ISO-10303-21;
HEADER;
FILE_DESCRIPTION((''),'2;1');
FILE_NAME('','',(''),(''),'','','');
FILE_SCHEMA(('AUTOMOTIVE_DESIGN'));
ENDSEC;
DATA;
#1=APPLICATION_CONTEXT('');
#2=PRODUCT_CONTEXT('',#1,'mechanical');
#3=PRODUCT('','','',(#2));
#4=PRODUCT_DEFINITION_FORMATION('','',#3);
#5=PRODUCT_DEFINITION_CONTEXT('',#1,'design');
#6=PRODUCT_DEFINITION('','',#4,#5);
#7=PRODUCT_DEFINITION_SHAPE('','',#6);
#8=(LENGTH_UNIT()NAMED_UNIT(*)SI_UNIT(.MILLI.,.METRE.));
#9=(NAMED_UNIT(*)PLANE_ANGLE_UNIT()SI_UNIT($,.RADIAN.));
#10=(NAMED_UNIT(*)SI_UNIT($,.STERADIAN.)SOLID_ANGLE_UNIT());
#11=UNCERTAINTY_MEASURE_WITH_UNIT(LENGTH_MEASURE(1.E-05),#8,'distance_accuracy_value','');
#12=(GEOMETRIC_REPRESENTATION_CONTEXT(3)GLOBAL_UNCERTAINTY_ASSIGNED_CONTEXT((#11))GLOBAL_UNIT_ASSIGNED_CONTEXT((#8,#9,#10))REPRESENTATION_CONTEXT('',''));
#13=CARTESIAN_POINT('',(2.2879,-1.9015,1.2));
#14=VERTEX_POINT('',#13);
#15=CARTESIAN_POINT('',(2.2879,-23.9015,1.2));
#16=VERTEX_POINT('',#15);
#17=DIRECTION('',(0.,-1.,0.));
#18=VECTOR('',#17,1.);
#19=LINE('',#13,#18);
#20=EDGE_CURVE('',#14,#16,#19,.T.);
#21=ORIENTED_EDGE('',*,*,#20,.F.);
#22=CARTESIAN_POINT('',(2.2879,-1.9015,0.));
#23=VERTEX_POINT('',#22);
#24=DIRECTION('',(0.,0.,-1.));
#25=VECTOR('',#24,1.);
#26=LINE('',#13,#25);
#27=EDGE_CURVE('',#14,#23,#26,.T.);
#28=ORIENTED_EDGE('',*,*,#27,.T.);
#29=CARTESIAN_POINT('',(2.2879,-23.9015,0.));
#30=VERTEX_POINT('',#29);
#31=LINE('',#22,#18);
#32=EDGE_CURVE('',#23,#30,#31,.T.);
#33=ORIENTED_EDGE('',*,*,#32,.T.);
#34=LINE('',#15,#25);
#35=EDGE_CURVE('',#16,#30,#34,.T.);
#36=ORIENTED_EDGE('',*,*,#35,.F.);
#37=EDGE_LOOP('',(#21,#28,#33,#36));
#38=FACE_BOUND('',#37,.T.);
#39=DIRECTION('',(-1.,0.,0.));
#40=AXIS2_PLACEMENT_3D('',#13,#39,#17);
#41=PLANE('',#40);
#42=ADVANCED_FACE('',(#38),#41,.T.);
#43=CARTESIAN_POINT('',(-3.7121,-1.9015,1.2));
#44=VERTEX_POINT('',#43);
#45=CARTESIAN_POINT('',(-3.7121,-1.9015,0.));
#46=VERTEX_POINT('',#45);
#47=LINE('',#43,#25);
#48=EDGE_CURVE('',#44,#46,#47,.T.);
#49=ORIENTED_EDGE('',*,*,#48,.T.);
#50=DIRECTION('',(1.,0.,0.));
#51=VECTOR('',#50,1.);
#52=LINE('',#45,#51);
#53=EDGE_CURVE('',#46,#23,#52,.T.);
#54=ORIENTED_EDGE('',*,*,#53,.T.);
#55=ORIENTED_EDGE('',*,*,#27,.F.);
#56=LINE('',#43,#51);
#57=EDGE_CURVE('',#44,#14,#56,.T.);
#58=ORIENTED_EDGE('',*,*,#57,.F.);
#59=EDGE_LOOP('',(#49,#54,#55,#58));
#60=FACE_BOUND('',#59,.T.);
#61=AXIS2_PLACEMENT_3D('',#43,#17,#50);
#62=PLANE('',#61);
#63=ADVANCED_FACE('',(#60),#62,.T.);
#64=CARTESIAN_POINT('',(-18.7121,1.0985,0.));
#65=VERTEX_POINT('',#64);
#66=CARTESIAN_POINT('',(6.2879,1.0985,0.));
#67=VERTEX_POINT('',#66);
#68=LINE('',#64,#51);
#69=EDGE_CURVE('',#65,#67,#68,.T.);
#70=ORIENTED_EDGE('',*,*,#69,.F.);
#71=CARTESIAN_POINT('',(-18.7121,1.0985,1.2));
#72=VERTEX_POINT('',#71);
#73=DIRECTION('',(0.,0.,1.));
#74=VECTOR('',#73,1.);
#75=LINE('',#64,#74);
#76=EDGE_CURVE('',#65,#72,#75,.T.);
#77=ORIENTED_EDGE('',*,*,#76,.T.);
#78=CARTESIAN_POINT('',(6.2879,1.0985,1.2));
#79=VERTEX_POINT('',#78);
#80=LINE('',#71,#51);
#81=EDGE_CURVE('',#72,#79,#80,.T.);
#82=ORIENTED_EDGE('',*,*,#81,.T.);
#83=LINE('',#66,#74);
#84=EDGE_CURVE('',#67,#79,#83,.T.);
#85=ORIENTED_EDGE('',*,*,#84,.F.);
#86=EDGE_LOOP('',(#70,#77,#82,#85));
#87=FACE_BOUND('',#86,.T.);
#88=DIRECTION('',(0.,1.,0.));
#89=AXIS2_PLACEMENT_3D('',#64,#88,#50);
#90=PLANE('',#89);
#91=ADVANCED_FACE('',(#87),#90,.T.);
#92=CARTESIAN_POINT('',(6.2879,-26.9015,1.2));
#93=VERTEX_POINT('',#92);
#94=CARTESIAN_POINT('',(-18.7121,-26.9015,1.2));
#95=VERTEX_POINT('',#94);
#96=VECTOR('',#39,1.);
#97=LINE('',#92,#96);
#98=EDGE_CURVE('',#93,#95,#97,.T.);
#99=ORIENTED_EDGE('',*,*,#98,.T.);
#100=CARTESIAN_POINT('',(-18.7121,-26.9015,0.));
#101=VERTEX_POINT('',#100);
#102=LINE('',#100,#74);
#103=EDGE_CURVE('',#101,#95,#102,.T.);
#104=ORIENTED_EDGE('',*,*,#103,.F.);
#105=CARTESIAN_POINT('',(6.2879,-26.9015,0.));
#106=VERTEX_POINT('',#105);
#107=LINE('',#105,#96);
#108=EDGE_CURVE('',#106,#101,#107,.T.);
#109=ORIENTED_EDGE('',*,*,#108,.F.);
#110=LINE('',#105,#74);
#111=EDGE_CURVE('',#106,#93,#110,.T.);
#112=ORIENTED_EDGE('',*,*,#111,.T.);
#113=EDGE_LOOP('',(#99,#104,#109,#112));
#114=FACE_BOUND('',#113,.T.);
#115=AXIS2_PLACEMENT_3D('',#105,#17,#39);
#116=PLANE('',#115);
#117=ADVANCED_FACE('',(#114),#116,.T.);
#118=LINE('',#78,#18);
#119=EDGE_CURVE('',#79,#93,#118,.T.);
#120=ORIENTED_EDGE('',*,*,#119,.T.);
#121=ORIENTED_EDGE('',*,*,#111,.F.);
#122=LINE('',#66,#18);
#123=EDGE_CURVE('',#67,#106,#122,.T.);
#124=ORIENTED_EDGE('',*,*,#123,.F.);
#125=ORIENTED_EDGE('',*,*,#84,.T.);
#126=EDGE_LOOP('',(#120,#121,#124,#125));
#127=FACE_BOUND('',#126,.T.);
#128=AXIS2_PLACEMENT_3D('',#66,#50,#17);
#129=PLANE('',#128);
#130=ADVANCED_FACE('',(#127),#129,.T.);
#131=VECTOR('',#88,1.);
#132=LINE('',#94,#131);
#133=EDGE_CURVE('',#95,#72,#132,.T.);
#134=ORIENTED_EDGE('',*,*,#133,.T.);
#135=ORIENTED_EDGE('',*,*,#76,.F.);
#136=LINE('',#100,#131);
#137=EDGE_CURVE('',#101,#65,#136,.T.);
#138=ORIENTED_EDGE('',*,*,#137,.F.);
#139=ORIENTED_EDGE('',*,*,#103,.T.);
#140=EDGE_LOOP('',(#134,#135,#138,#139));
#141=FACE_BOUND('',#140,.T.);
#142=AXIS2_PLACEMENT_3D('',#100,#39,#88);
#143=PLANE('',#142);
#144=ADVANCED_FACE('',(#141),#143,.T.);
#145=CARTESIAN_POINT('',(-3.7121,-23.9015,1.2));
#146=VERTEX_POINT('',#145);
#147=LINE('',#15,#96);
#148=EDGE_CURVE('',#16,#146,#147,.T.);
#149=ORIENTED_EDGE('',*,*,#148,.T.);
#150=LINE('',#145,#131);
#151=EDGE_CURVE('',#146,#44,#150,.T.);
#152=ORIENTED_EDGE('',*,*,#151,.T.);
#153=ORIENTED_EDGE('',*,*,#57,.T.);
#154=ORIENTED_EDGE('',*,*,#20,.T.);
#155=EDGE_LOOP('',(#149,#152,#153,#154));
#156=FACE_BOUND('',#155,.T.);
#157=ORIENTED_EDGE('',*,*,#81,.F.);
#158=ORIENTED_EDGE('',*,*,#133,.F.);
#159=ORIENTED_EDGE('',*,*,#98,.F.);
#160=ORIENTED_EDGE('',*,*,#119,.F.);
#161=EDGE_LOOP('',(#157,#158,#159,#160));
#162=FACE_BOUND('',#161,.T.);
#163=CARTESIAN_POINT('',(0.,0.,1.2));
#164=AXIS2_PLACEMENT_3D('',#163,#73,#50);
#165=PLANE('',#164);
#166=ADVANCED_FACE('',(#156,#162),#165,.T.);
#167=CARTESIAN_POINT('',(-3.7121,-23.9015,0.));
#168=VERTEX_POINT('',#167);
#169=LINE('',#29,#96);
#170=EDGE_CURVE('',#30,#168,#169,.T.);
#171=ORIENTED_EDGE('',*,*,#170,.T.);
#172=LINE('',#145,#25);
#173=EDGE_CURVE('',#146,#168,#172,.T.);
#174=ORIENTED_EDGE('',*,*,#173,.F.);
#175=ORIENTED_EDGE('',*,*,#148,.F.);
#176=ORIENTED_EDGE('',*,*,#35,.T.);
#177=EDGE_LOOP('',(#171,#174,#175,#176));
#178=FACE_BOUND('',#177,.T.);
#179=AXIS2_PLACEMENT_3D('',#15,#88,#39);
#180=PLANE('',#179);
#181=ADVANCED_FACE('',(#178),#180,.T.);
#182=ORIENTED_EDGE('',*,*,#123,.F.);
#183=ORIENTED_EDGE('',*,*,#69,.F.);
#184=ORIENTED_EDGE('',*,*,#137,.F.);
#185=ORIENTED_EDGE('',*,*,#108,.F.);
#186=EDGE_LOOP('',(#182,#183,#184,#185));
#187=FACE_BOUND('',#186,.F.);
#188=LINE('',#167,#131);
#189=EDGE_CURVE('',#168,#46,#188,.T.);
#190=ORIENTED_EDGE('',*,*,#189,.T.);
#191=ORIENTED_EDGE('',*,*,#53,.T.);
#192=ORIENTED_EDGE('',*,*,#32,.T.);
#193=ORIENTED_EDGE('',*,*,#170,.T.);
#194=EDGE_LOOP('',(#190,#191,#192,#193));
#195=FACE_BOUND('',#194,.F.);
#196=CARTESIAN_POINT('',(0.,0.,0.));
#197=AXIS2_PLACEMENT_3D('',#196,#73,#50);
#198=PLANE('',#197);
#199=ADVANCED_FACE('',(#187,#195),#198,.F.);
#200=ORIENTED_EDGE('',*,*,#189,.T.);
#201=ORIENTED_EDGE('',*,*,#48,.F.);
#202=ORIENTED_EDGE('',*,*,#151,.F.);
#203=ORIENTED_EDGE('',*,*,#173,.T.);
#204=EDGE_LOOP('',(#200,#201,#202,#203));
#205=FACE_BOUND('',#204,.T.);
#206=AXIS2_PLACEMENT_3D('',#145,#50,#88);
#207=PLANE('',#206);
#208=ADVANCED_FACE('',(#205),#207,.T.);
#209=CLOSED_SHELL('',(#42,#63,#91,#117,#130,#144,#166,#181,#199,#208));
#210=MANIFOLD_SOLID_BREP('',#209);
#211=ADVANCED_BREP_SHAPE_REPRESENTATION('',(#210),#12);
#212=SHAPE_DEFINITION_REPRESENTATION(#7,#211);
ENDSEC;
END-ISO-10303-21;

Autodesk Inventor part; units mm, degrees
ref_plane "YZ Plane" through (0, 0, 0) normal (1, 0, 0) x (0, 1, 0)
ref_plane "XZ Plane" through (0, 0, 0) normal (0, 1, 0) x (-1, 0, 0)
ref_plane "XY Plane" through (0, 0, 0) normal (0, 0, 1) x (1, 0, 0)
sketch "Sketch1" plane through (0, 0, 0) normal (0, 0, 1) x (1, 0, 0)
  line L0 (-18.7121, 1.0985) -> (6.2879, 1.0985)
  line L1 (6.2879, 1.0985) -> (6.2879, -26.9015)
  line L2 (6.2879, -26.9015) -> (-18.7121, -26.9015)
  line L3 (-18.7121, -26.9015) -> (-18.7121, 1.0985)
  point P0 (0, 0)
  dimension "d0" = 25
  dimension "d1" = 28
extrude "Extrusion1" add sketch "Sketch1" along normal blind 1.2
sketch "Sketch2" plane through (0, 0, 1.2) normal (0, 0, 1) x (1, 0, 0)
  line L0 (-3.7121, -1.9015) -> (2.2879, -1.9015)
  line L1 (2.2879, -1.9015) -> (2.2879, -23.9015)
  line L2 (2.2879, -23.9015) -> (-3.7121, -23.9015)
  line L3 (-3.7121, -23.9015) -> (-3.7121, -1.9015)
  line L4 (-18.7121, 1.0985) -> (-18.7121, -26.9015) projected
  line L5 (-18.7121, 1.0985) -> (6.2879, 1.0985) projected
  line L6 (6.2879, -26.9015) -> (-18.7121, -26.9015) projected
  point P0 (0, 0)
  dimension "d4" = 15
  dimension "d5" = 6
  dimension "d6" = 3
  dimension "d7" = 3
extrude "Extrusion2" cut sketch "Sketch2" against normal blind 1.2
properties part number "Step Down Regulator Adaptor"
